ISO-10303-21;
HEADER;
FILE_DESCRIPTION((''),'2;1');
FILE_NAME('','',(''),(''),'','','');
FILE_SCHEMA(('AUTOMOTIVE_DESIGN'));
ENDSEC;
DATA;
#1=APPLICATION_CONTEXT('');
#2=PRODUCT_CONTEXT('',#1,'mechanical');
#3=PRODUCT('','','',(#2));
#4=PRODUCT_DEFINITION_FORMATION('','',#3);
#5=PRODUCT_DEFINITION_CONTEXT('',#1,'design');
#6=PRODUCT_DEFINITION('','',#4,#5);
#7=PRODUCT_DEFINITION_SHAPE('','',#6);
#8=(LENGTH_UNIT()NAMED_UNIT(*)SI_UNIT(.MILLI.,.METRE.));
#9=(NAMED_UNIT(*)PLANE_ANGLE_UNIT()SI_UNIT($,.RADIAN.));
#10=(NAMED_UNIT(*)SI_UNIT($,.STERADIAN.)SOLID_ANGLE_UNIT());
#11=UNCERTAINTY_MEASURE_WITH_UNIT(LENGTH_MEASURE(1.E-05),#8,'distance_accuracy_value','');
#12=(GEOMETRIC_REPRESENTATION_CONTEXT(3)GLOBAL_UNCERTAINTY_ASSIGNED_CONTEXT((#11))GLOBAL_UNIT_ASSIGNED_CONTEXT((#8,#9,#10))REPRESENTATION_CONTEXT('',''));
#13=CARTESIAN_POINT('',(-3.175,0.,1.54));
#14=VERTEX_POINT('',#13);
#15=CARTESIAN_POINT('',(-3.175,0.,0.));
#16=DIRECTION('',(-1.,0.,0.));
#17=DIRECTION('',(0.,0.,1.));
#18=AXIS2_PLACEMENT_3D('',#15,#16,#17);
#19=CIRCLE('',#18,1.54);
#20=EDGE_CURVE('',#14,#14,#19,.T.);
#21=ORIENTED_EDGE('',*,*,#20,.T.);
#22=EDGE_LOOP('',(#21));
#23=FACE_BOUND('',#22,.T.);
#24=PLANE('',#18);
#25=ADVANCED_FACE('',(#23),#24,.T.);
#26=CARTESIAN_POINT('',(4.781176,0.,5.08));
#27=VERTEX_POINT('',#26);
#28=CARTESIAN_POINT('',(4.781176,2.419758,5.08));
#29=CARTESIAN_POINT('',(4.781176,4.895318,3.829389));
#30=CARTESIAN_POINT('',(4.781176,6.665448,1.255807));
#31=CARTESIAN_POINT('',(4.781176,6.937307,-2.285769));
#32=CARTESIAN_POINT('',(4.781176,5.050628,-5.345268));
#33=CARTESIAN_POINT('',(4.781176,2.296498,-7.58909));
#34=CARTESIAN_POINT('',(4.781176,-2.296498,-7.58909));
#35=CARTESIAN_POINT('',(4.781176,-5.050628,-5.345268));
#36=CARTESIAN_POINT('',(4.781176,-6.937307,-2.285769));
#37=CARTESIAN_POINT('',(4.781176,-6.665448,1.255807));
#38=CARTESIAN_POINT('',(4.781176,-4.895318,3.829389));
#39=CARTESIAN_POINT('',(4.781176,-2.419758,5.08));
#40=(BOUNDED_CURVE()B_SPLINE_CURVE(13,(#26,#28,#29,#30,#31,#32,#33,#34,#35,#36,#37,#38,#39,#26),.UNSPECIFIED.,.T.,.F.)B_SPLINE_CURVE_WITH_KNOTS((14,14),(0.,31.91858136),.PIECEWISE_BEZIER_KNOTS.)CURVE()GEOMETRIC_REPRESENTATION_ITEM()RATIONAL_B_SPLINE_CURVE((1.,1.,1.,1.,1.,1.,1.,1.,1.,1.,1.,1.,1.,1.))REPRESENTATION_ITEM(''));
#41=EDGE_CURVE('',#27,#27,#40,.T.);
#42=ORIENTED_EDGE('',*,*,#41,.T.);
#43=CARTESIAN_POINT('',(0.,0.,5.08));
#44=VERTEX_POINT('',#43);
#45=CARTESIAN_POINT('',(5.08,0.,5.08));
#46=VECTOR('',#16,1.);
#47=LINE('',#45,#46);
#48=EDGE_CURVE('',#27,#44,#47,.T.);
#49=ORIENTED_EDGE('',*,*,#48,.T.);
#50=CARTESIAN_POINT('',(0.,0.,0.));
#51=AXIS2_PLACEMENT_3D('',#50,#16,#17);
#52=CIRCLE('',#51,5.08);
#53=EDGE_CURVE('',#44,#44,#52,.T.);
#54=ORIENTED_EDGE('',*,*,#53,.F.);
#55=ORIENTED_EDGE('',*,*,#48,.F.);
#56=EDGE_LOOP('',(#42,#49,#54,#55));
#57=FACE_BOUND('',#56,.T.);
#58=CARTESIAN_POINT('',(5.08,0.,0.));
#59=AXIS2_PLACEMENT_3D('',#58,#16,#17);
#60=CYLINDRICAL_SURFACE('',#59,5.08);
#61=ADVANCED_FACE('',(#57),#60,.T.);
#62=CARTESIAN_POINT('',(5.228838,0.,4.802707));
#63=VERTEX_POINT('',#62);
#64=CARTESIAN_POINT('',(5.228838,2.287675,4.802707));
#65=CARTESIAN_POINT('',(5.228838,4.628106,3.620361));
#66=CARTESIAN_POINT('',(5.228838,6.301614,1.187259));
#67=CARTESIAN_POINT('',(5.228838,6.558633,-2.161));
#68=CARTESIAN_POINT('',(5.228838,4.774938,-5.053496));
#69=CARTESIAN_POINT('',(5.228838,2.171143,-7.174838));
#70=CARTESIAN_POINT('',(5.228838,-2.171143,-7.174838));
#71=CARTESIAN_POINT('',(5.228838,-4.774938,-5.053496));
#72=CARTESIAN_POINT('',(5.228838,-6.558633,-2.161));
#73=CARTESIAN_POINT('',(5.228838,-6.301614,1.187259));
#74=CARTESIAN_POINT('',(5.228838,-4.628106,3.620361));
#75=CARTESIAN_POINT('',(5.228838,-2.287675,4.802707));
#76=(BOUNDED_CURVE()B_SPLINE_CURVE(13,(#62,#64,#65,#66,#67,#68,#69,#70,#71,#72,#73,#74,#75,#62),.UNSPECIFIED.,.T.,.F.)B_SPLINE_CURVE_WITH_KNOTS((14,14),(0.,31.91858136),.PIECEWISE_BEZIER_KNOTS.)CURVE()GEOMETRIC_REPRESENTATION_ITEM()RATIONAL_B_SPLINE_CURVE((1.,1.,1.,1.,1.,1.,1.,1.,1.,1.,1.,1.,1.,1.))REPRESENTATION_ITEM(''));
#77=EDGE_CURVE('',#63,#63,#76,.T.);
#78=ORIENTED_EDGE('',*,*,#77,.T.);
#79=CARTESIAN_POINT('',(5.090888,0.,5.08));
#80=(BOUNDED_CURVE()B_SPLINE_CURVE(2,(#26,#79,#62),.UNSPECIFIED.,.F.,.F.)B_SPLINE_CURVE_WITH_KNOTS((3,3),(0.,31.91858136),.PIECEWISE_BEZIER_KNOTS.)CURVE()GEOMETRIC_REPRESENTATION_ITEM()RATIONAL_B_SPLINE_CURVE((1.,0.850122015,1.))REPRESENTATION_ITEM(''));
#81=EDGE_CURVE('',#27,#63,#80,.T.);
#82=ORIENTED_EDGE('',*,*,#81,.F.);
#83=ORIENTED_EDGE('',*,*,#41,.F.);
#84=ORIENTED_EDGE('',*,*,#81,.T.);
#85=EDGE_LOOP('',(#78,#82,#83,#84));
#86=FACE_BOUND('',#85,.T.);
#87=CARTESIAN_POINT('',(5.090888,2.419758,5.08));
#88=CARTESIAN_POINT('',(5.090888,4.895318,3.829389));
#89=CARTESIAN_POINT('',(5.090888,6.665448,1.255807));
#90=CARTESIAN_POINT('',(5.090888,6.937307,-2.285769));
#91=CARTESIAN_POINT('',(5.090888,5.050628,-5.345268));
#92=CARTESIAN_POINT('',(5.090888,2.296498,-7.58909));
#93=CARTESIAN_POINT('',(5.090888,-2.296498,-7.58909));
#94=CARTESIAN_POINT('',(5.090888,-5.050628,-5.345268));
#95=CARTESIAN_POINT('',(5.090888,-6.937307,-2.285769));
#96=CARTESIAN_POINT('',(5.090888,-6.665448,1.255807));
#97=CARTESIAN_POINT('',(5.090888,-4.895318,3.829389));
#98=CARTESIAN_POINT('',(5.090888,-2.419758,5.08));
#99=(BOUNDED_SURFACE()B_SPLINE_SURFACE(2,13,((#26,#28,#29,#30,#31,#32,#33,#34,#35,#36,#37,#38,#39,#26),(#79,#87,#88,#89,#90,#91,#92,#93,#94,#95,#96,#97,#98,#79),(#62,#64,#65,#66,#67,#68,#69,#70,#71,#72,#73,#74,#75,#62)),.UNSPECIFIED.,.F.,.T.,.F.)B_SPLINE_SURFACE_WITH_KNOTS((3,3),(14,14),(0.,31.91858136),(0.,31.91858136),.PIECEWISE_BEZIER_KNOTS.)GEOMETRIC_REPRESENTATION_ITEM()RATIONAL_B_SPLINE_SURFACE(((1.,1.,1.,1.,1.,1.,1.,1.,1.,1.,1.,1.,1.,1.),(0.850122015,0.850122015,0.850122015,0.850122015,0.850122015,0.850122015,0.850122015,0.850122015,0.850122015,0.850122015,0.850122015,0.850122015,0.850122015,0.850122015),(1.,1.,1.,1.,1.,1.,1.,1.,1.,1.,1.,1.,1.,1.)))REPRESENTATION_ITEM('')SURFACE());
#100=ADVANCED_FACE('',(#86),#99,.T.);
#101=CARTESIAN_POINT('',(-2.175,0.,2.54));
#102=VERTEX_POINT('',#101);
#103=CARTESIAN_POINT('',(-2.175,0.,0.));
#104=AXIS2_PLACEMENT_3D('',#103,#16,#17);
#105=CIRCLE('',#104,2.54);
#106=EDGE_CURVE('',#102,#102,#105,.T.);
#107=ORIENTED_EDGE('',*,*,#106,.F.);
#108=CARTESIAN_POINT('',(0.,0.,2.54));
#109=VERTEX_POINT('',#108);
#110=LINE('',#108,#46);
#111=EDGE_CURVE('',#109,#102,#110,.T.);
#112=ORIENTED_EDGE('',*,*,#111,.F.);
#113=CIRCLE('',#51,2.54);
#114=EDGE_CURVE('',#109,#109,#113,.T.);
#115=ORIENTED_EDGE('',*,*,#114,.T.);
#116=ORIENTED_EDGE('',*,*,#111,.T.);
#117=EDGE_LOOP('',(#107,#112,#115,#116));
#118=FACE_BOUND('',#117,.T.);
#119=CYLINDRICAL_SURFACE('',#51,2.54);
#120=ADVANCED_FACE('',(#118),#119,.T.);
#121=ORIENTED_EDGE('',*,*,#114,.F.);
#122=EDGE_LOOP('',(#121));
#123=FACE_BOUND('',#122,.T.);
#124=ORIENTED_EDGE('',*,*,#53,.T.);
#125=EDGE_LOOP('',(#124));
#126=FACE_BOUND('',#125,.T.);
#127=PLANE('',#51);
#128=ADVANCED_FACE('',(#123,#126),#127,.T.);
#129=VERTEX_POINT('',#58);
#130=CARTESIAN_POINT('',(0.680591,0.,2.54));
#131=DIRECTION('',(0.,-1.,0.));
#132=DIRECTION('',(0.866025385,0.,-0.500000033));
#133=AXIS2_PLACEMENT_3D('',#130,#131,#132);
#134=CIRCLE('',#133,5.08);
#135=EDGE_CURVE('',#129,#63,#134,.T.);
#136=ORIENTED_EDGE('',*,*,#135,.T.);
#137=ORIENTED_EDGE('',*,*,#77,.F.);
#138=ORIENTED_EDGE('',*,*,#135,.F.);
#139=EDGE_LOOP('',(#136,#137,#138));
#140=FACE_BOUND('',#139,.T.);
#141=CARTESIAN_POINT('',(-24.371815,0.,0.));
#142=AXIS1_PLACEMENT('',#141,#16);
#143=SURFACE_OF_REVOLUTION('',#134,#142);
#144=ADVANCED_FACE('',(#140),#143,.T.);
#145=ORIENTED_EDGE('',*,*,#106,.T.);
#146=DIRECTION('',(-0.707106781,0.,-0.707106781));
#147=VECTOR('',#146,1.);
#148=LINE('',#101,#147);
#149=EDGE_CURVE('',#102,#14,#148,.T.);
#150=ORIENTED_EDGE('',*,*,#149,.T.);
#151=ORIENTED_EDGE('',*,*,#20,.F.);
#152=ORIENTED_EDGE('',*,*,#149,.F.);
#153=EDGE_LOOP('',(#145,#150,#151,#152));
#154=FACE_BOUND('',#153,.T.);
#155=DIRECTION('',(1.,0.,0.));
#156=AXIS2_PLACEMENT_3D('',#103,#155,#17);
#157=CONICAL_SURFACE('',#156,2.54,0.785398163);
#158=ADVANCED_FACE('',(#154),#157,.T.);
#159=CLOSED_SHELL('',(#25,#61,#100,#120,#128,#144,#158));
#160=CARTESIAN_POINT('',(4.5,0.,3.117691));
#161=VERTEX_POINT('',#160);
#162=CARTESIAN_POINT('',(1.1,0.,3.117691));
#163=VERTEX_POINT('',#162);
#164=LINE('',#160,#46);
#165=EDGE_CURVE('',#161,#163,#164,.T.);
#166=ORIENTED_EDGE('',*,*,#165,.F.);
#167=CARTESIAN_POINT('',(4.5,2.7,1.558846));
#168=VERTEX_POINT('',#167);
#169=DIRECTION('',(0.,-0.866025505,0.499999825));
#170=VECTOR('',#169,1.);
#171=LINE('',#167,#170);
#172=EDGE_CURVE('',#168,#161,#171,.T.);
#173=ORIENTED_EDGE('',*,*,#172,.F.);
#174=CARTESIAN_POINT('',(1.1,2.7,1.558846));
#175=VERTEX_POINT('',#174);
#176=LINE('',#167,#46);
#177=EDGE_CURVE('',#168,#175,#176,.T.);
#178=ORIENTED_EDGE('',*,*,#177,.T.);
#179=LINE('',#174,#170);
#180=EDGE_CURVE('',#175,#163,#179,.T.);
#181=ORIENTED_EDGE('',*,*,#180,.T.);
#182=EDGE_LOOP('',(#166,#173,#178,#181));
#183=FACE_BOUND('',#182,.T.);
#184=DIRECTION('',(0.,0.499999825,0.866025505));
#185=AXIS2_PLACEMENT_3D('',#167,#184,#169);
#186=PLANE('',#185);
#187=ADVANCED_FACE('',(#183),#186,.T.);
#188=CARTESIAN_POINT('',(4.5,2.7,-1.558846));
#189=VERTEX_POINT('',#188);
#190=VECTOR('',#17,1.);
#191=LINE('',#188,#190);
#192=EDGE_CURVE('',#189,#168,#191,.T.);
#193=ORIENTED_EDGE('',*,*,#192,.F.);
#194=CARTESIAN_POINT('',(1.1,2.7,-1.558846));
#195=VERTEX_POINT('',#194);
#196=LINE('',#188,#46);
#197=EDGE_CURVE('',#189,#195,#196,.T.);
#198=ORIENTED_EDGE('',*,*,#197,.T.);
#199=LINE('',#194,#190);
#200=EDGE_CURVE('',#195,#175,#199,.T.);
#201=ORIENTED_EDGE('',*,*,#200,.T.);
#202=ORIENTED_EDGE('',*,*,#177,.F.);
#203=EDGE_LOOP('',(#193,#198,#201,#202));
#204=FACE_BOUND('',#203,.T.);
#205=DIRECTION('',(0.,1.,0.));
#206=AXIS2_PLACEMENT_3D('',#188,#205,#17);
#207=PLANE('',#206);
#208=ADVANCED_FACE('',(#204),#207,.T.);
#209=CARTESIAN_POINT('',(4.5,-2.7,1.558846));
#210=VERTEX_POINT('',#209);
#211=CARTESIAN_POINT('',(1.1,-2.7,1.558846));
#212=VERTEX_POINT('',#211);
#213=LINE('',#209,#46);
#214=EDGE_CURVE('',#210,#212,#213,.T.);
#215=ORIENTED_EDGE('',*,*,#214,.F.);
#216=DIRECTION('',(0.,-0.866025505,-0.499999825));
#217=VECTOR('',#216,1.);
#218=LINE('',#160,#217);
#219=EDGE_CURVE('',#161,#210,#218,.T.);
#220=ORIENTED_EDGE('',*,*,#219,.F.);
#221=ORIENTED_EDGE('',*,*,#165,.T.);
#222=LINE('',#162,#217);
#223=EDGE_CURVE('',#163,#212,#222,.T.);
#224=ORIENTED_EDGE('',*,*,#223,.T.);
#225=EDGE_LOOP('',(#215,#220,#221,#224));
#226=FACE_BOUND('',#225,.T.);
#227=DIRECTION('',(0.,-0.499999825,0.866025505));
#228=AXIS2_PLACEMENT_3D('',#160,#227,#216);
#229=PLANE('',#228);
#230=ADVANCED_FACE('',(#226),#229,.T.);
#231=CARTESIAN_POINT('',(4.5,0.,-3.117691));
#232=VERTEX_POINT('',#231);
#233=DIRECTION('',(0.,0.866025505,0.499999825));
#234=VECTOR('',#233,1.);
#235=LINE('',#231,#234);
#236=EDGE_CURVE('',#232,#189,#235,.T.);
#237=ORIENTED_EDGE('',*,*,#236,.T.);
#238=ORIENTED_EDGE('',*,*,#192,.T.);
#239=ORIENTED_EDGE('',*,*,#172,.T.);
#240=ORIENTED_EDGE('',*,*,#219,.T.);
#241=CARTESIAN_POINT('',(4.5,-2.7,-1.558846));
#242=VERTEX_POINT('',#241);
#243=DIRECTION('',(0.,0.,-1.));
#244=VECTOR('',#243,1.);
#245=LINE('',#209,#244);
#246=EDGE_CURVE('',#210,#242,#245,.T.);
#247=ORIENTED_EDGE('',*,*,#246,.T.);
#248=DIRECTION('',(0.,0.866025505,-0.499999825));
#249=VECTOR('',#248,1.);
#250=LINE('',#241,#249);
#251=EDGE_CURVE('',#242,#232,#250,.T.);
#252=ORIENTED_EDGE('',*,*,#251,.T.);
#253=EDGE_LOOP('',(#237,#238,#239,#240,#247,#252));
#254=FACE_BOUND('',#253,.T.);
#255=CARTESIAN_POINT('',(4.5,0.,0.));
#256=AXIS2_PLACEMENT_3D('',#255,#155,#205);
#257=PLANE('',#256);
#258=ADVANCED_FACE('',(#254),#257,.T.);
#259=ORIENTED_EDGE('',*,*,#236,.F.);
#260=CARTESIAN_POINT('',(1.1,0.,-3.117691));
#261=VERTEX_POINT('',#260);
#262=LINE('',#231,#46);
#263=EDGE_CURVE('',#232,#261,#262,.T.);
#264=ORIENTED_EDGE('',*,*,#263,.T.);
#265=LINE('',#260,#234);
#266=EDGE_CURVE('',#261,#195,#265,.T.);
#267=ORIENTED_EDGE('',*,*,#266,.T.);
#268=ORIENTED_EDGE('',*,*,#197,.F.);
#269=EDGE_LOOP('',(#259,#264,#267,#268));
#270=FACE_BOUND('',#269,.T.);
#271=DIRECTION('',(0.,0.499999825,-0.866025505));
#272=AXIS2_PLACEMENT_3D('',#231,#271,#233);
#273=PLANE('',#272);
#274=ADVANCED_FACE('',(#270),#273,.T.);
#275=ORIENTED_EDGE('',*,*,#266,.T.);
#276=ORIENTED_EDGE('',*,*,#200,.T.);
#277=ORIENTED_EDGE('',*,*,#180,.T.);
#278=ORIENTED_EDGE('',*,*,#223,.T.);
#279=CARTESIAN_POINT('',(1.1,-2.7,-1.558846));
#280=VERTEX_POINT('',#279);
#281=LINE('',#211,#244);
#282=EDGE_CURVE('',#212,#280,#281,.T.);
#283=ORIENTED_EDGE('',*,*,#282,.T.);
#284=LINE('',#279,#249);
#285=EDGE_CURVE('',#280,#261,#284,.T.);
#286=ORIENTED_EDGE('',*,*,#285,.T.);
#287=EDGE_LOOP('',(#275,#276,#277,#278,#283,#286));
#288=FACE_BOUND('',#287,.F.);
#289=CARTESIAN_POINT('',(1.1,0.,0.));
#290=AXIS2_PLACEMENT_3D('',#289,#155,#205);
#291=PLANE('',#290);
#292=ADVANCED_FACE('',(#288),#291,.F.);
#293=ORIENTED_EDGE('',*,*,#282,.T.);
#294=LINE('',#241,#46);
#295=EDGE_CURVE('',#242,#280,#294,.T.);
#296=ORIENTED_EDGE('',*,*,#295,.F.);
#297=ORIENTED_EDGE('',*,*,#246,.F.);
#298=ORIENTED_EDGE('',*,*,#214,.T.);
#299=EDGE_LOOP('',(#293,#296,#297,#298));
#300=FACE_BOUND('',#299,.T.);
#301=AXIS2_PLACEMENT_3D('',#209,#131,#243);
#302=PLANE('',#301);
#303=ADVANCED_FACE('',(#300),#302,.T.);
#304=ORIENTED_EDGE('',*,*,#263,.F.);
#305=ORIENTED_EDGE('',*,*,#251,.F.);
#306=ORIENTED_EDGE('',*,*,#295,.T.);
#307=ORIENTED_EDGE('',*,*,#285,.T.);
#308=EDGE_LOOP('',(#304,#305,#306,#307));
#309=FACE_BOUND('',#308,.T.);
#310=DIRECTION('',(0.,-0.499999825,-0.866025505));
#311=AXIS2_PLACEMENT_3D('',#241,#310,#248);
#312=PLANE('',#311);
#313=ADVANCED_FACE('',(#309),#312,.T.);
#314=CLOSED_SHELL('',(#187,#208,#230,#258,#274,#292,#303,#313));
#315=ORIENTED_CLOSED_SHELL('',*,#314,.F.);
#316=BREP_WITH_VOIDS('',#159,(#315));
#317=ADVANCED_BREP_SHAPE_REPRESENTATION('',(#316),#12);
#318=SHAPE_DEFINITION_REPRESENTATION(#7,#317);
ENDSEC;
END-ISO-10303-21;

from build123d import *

# Parameters (mm, degrees)
F2_SIZE  = 1
F3_R     = 0.5
F6_DEPTH = 3.4


with BuildPart() as f1:
    # F0 (on Front) → F1 (revolve)
    with BuildSketch(Plane.XZ):
        with BuildLine():
            Line((0, 5.08), (0, 2.54))
            Line((0, 2.54), (-3.175, 2.54))
            Line((-3.175, 2.54), (-3.175, 0))
            Line((-3.175, 0), (5.08, 0))
            ThreePointArc((5.08, 0), (5.760591, 2.54), (5.08, 5.08))
            Line((5.08, 5.08), (0, 5.08))
        make_face()
    revolve(axis=Axis((-24.371815, 0, 0), (-1, 0, 0)))

    # F2
    f2_edges = [f1.edges().sort_by_distance(p)[0] for p in [
        (-3.175, 0, -2.54),
    ]]
    chamfer(f2_edges, length=F2_SIZE)

    # F3
    f3_edges = [f1.edges().sort_by_distance(p)[0] for p in [
        (5.08, 0, -5.08),
    ]]
    fillet(f3_edges, radius=F3_R)

    # F5 (on offset) → F6 (cut)
    with BuildSketch(Plane.YZ.offset(4.5)):
        Polygon((0, -3.117691), (2.7, -1.558846), (2.7, 1.558846), (0, 3.117691), (-2.7, 1.558846), (-2.7, -1.558846), align=None)
    extrude(amount=-F6_DEPTH, mode=Mode.SUBTRACT)


solid = f1.part
